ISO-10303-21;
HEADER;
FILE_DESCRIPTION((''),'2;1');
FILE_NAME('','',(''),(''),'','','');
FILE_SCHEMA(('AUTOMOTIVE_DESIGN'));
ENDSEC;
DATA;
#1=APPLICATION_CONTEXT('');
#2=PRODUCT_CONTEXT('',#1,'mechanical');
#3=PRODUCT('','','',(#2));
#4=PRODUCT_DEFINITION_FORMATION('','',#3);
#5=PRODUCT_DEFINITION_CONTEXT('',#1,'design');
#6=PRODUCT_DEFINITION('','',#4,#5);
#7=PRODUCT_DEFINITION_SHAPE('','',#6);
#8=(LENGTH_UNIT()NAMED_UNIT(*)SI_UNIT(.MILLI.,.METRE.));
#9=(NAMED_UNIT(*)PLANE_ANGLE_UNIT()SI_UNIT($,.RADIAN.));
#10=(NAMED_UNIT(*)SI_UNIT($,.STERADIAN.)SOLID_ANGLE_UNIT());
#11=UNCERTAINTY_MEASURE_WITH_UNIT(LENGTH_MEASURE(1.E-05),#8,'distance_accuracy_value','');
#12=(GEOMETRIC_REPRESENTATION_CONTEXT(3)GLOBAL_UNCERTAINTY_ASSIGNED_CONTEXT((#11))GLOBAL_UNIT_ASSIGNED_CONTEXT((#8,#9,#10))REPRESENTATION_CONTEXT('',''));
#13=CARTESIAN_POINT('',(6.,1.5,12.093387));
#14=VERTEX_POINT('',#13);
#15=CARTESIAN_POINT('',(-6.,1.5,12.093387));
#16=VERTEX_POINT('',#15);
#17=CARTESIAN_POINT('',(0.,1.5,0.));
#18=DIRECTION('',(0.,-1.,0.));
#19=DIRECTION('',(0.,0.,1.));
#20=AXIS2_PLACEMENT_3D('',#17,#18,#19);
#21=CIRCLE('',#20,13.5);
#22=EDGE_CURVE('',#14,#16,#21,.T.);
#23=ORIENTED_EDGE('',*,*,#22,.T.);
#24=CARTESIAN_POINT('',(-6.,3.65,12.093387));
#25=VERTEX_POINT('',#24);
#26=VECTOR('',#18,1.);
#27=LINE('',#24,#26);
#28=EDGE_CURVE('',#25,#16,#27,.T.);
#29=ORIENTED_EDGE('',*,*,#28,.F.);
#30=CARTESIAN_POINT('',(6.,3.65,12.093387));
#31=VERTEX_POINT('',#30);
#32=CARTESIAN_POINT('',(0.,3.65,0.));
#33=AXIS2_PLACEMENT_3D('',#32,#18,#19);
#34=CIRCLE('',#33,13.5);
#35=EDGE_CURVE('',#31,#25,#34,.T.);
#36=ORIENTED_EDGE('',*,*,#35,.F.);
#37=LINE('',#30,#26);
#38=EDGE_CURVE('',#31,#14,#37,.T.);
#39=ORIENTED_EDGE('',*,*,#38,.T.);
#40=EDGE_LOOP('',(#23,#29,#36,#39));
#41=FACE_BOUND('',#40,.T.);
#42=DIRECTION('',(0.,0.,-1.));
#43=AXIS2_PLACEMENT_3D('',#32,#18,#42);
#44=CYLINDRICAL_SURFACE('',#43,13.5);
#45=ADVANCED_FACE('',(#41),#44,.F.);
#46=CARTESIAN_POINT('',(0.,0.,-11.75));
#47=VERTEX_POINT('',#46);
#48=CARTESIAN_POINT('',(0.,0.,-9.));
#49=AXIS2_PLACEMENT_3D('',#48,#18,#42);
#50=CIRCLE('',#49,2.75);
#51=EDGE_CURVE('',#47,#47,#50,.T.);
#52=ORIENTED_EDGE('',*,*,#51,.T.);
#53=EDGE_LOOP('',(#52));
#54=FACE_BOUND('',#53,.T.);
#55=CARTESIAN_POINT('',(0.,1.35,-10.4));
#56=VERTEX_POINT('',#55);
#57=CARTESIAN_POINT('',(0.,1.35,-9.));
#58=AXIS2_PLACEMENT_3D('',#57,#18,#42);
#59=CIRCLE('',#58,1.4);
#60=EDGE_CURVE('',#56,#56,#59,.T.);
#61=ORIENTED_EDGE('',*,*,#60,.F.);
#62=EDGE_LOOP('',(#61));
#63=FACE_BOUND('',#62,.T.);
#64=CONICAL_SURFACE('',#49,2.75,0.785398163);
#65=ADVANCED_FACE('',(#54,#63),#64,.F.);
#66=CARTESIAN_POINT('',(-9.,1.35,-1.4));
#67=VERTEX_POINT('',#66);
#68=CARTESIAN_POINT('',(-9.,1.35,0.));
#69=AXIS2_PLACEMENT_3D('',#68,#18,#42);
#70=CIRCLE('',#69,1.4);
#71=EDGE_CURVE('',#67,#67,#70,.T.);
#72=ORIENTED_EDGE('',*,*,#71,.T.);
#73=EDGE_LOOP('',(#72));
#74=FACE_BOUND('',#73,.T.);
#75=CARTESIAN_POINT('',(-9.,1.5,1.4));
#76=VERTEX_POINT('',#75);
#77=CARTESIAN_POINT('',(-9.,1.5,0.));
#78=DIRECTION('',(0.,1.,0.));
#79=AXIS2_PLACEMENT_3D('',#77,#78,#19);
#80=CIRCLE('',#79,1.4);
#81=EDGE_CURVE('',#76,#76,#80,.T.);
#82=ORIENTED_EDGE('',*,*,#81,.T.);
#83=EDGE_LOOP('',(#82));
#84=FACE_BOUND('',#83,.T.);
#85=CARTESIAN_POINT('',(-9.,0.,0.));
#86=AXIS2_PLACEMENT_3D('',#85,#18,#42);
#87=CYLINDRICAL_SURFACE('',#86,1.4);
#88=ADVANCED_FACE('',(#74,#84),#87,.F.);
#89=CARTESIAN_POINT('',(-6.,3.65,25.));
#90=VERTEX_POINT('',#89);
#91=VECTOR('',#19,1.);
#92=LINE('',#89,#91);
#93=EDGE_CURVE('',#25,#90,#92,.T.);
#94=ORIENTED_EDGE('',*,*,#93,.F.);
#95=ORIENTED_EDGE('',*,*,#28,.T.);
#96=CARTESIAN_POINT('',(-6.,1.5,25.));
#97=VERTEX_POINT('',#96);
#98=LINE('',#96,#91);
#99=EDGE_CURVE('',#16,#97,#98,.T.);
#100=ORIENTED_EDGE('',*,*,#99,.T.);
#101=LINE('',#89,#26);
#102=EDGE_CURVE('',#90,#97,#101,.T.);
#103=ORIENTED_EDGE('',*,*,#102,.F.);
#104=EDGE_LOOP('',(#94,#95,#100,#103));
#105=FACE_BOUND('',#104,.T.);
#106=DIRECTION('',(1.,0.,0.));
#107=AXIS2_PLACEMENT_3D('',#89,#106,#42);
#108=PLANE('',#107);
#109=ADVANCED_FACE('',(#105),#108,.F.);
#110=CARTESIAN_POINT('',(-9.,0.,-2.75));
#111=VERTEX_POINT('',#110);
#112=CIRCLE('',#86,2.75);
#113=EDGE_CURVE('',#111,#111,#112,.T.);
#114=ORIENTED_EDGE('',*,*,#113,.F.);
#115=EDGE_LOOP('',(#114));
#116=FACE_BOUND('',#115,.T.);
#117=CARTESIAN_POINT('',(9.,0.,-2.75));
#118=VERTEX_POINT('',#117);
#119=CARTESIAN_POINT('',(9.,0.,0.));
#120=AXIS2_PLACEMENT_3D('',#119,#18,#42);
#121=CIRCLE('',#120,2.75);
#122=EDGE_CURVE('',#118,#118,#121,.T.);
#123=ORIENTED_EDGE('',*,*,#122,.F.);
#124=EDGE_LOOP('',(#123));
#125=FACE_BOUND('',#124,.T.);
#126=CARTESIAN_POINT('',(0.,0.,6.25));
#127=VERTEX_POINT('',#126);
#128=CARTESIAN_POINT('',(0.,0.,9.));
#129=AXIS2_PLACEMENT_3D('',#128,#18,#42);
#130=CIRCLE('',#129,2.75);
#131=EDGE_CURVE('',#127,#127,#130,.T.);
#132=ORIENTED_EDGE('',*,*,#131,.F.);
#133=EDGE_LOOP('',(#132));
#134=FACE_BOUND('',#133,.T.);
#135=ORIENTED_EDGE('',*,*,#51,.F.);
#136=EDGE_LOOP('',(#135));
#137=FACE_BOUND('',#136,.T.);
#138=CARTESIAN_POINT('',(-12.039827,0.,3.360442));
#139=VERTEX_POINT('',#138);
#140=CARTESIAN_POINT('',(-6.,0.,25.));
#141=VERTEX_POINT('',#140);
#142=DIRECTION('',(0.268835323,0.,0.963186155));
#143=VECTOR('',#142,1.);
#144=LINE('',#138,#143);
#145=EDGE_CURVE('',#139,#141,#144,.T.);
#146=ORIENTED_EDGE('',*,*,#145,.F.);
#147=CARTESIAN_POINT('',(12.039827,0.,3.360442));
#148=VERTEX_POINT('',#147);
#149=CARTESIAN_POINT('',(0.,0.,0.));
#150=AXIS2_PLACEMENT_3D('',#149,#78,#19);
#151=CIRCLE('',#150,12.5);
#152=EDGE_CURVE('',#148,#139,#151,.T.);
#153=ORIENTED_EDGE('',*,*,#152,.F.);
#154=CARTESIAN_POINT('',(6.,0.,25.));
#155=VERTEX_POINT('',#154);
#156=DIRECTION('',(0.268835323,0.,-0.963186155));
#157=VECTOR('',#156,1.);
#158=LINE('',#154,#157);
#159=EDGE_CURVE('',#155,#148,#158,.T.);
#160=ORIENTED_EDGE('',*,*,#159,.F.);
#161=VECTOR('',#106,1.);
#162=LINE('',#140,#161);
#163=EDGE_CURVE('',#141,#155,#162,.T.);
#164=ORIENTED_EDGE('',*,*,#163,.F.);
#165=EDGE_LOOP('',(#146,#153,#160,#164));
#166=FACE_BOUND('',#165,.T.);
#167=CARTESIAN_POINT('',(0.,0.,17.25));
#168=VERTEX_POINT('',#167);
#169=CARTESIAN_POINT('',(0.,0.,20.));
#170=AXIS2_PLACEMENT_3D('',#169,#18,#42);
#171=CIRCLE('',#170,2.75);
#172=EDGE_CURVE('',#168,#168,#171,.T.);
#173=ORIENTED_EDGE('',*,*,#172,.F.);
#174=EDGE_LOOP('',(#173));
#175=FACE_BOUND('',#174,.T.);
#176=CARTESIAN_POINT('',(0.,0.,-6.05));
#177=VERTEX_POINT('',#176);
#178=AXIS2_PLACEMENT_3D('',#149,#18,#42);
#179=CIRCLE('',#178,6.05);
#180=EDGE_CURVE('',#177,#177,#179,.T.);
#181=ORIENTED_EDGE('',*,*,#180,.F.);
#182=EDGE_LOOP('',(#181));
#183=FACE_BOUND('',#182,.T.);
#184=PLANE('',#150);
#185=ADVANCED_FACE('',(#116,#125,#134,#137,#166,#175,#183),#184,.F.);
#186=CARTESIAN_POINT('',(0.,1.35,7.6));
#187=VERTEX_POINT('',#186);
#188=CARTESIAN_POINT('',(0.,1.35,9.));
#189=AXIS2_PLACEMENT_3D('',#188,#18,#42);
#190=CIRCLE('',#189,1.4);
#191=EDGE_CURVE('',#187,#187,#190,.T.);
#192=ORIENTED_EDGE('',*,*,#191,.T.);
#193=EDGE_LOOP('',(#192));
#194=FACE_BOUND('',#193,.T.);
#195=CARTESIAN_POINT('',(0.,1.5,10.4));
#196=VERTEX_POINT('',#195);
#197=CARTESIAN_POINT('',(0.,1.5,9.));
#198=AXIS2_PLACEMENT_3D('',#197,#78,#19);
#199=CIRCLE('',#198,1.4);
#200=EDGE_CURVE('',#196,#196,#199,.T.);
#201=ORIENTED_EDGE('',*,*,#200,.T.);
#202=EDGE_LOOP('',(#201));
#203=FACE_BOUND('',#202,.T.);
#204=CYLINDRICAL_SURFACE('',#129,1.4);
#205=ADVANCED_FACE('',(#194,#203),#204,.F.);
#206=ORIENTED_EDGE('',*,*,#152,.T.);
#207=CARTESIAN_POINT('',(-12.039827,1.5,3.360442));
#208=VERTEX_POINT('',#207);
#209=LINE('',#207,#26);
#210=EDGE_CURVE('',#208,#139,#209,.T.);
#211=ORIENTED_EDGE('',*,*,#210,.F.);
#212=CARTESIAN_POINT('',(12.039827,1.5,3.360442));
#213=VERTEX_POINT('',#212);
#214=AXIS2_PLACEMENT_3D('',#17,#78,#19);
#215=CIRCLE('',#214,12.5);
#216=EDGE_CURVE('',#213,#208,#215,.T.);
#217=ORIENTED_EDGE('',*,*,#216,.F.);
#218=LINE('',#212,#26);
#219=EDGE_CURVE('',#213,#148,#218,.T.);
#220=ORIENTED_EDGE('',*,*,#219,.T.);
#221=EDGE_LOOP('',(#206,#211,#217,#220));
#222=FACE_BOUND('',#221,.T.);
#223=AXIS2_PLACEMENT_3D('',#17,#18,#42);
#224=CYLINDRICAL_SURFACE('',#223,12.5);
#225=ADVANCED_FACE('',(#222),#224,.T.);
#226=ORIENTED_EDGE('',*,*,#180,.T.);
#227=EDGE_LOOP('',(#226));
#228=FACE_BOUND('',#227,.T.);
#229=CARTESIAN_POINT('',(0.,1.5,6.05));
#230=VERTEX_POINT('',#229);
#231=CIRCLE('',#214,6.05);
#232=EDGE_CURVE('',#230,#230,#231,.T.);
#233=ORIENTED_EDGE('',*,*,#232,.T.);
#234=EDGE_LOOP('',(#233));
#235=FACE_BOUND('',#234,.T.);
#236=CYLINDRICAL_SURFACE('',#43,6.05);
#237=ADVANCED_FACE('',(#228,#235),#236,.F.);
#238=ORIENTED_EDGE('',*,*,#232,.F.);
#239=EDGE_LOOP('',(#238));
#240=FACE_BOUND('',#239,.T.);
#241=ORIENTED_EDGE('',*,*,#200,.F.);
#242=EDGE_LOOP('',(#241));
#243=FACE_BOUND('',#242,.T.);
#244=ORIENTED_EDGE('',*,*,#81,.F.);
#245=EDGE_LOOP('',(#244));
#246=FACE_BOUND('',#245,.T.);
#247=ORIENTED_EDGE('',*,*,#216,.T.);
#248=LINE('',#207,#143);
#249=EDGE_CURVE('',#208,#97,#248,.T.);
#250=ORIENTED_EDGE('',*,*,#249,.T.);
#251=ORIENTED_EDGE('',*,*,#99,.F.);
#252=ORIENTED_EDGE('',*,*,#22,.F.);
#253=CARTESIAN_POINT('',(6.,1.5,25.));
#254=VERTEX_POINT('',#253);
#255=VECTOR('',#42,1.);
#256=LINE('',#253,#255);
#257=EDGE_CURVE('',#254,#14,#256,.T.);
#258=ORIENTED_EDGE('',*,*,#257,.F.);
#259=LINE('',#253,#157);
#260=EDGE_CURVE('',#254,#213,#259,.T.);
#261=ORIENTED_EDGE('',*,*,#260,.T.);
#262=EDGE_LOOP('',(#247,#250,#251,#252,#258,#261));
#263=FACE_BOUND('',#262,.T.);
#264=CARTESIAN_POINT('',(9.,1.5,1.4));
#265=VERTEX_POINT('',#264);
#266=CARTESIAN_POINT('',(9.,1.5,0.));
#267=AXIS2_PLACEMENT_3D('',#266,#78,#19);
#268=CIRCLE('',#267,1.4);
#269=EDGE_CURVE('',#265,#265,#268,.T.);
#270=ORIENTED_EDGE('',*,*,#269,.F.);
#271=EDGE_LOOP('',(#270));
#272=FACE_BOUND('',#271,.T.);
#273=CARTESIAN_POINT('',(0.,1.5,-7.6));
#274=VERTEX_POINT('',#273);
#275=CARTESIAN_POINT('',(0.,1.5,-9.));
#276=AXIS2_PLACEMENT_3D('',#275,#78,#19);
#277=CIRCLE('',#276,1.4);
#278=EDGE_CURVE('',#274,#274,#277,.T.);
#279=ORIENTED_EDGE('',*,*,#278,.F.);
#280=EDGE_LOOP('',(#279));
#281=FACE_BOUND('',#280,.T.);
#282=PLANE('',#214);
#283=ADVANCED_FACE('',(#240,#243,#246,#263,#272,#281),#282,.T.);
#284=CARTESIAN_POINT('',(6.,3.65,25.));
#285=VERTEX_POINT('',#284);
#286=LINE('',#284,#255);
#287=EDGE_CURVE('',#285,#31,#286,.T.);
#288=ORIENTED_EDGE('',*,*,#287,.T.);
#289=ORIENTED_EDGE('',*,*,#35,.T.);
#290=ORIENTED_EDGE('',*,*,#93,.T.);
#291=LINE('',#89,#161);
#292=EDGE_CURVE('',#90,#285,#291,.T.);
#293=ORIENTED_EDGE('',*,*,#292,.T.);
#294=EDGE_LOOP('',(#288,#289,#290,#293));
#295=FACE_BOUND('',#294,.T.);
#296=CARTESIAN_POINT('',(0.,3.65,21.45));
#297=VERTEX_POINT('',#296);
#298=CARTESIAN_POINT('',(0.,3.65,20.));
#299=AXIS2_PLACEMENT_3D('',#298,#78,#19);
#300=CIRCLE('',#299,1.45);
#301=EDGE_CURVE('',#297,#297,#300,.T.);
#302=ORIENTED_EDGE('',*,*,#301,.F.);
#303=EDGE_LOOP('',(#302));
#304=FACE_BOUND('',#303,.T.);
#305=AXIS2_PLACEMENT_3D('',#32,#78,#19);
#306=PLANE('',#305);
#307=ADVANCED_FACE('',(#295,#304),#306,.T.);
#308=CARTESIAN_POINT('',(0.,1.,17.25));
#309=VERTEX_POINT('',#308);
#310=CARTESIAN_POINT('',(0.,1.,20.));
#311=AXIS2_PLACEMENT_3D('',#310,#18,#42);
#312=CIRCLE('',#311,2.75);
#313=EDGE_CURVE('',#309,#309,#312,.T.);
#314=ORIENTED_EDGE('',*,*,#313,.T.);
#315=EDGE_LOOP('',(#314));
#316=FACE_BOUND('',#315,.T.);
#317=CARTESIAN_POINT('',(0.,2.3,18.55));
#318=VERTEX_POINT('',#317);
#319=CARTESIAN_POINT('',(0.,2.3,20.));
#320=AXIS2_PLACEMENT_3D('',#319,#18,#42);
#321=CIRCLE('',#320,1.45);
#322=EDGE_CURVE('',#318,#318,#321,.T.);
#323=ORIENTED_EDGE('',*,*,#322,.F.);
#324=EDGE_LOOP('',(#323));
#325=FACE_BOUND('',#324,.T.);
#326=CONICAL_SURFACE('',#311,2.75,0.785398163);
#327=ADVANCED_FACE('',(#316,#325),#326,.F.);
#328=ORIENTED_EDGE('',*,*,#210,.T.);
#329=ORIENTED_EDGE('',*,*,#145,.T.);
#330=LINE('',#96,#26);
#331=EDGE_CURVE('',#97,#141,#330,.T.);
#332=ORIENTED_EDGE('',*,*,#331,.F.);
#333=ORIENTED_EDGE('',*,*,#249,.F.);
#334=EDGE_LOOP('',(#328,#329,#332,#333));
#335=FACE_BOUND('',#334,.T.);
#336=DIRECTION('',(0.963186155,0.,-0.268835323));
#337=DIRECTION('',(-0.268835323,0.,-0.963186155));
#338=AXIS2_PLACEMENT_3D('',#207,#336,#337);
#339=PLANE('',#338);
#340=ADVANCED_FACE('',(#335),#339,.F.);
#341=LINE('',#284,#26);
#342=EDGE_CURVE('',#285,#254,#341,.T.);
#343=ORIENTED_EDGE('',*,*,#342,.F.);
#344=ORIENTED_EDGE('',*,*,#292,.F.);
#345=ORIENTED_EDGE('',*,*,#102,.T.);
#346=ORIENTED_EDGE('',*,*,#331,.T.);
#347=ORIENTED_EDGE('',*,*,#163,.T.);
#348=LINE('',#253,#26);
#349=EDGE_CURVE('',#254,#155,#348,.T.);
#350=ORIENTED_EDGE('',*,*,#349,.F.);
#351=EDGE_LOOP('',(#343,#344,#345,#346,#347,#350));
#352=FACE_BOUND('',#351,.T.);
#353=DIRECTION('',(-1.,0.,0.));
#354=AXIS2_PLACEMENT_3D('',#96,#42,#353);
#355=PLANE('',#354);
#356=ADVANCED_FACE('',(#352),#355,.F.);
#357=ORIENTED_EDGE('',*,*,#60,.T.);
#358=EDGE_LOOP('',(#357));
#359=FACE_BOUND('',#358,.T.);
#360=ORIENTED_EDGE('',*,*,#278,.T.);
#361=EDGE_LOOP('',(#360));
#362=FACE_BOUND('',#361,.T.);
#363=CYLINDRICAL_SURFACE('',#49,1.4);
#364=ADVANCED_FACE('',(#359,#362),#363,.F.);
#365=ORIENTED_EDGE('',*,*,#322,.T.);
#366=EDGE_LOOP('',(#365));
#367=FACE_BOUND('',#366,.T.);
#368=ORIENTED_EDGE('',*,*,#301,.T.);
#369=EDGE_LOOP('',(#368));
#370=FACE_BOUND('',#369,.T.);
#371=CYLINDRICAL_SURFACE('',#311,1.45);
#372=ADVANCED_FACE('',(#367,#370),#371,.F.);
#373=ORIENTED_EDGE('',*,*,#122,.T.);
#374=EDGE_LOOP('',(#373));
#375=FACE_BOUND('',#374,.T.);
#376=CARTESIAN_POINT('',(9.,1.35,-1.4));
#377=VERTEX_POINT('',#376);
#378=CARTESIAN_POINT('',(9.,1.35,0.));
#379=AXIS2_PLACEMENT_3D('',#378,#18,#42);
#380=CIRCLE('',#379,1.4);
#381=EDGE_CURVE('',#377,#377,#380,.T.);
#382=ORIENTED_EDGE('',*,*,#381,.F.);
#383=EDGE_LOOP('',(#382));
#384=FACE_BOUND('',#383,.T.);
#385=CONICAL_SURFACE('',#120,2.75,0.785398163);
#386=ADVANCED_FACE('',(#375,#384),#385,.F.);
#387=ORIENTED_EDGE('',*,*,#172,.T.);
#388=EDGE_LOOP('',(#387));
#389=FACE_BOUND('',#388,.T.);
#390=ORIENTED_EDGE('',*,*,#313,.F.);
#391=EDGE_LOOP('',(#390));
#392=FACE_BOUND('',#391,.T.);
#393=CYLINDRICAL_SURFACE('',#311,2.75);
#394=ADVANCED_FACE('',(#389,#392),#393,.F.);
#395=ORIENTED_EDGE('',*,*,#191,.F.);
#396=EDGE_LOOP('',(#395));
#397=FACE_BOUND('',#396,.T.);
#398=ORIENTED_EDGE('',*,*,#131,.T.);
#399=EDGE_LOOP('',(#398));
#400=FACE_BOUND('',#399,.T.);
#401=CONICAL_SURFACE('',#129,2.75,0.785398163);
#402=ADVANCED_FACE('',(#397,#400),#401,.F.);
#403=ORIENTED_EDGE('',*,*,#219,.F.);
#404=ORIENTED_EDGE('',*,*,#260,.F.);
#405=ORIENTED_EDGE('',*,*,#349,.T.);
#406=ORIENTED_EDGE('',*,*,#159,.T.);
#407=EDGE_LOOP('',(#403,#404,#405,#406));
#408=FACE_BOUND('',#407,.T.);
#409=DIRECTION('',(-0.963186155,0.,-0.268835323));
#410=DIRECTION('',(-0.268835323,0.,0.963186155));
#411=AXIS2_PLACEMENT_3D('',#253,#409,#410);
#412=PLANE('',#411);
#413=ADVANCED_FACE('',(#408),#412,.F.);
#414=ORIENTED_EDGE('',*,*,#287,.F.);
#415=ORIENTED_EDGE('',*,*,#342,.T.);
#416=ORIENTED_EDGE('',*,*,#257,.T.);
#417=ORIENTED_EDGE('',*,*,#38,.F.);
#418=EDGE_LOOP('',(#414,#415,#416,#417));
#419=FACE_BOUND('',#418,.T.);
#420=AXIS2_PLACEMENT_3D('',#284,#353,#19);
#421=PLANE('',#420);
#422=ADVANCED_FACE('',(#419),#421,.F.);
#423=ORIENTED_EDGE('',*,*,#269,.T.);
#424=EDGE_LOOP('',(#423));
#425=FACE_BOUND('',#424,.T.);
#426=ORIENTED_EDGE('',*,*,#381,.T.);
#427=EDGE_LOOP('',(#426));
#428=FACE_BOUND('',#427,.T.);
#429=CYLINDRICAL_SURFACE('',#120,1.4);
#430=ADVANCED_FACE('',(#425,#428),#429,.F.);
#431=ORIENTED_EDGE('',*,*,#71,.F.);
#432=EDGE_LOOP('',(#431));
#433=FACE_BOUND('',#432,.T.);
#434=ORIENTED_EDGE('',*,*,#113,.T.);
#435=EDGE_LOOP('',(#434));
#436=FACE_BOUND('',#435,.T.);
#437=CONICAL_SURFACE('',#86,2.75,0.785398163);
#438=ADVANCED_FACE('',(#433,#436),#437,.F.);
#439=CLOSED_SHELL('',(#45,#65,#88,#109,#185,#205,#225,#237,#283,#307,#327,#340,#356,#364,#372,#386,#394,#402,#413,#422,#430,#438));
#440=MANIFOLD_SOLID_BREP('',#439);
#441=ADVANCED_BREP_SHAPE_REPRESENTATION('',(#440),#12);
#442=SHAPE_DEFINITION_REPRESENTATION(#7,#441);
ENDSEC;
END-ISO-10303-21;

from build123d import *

# Parameters (mm, degrees)
BOSS_EXTRUDE1_DEPTH                               = 1.5
BOSS_EXTRUDE2_DEPTH                               = 2.15
CSK_FOR_M2_5_FLAT_HEAD_MACHINE_SCREW1_D           = 2.8
CSK_FOR_M2_5_FLAT_HEAD_MACHINE_SCREW1_CSINK_D     = 5.5
CSK_FOR_M2_5_FLAT_HEAD_MACHINE_SCREW1_CSINK_ANGLE = 90
SKETCH6_R                                         = 6.05
CUT_EXTRUDE1_DEPTH                                = 4.65
SKETCH7_R                                         = 2.75
CUT_EXTRUDE2_DEPTH                                = 1
CSK_FOR_M2_5_FLAT_HEAD_MACHINE_SCREW2_D           = 2.9
CSK_FOR_M2_5_FLAT_HEAD_MACHINE_SCREW2_DEPTH       = 8
CSK_FOR_M2_5_FLAT_HEAD_MACHINE_SCREW2_CSINK_D     = 5.5
CSK_FOR_M2_5_FLAT_HEAD_MACHINE_SCREW2_CSINK_ANGLE = 90
CSK_FOR_M2_5_FLAT_HEAD_MACHINE_SCREW2_TIP         = 0.871247898


with BuildPart() as part:
    # Sketch1 → Boss-Extrude1 (new body)
    with BuildSketch(Plane(origin=(0, 0, 0), x_dir=(1, 0, 0), z_dir=(0, 1, 0))):
        with BuildLine():
            Line((-12.039826938, -3.360441535), (-6, -25))
            Line((-6, -25), (6, -25))
            Line((6, -25), (12.039826938, -3.360441535))
            ThreePointArc((12.039826938, -3.360441535), (0, 12.5), (-12.039826938, -3.360441535))
        make_face()
    extrude(amount=BOSS_EXTRUDE1_DEPTH)

    # Sketch2 → Boss-Extrude2 (add)
    with BuildSketch(Plane(origin=(0, 1.5, 0), x_dir=(1, 0, 0), z_dir=(0, 1, 0))):
        with BuildLine():
            Line((-6, -25), (-6, -12.093386622))
            ThreePointArc((-6, -12.093386622), (0, -13.5), (6, -12.093386622))
            Line((6, -12.093386622), (6, -25))
            Line((6, -25), (-6, -25))
        make_face()
    extrude(amount=BOSS_EXTRUDE2_DEPTH)

    # CSK for M2.5 Flat Head Machine Screw1 (through all)
    with Locations(Plane(origin=(0, 0, 0), x_dir=(-1, 0, 0), z_dir=(0, -1, 0))):
        with Locations((0, -9), (9, 0), (0, 9), (-9, 0)):
            CounterSinkHole(CSK_FOR_M2_5_FLAT_HEAD_MACHINE_SCREW1_D / 2, CSK_FOR_M2_5_FLAT_HEAD_MACHINE_SCREW1_CSINK_D / 2, counter_sink_angle=CSK_FOR_M2_5_FLAT_HEAD_MACHINE_SCREW1_CSINK_ANGLE)

    # Sketch6 → Cut-Extrude1 (cut, through all)
    with BuildSketch(Plane.XZ):
        Circle(SKETCH6_R)
    extrude(amount=-CUT_EXTRUDE1_DEPTH, mode=Mode.SUBTRACT)

    # Sketch7 → Cut-Extrude2 (cut)
    with BuildSketch(Plane(origin=(0, 0, 0), x_dir=(-1, 0, 0), z_dir=(0, -1, 0))):
        with Locations((0, -20)):
            Circle(SKETCH7_R)
    extrude(amount=-CUT_EXTRUDE2_DEPTH, mode=Mode.SUBTRACT)

    # CSK for M2.5 Flat Head Machine Screw2
    with Locations(Plane(origin=(0, 1, 0), x_dir=(-1, 0, 0), z_dir=(0, -1, 0))):
        with Locations((0, -20)):
            CounterSinkHole(CSK_FOR_M2_5_FLAT_HEAD_MACHINE_SCREW2_D / 2, CSK_FOR_M2_5_FLAT_HEAD_MACHINE_SCREW2_CSINK_D / 2, depth=CSK_FOR_M2_5_FLAT_HEAD_MACHINE_SCREW2_DEPTH, counter_sink_angle=CSK_FOR_M2_5_FLAT_HEAD_MACHINE_SCREW2_CSINK_ANGLE)
            with Locations((0, 0, -(CSK_FOR_M2_5_FLAT_HEAD_MACHINE_SCREW2_DEPTH + CSK_FOR_M2_5_FLAT_HEAD_MACHINE_SCREW2_TIP / 2))):  # 118° drill point
                Cone(0, CSK_FOR_M2_5_FLAT_HEAD_MACHINE_SCREW2_D / 2, CSK_FOR_M2_5_FLAT_HEAD_MACHINE_SCREW2_TIP, mode=Mode.SUBTRACT)


solid = part.part
